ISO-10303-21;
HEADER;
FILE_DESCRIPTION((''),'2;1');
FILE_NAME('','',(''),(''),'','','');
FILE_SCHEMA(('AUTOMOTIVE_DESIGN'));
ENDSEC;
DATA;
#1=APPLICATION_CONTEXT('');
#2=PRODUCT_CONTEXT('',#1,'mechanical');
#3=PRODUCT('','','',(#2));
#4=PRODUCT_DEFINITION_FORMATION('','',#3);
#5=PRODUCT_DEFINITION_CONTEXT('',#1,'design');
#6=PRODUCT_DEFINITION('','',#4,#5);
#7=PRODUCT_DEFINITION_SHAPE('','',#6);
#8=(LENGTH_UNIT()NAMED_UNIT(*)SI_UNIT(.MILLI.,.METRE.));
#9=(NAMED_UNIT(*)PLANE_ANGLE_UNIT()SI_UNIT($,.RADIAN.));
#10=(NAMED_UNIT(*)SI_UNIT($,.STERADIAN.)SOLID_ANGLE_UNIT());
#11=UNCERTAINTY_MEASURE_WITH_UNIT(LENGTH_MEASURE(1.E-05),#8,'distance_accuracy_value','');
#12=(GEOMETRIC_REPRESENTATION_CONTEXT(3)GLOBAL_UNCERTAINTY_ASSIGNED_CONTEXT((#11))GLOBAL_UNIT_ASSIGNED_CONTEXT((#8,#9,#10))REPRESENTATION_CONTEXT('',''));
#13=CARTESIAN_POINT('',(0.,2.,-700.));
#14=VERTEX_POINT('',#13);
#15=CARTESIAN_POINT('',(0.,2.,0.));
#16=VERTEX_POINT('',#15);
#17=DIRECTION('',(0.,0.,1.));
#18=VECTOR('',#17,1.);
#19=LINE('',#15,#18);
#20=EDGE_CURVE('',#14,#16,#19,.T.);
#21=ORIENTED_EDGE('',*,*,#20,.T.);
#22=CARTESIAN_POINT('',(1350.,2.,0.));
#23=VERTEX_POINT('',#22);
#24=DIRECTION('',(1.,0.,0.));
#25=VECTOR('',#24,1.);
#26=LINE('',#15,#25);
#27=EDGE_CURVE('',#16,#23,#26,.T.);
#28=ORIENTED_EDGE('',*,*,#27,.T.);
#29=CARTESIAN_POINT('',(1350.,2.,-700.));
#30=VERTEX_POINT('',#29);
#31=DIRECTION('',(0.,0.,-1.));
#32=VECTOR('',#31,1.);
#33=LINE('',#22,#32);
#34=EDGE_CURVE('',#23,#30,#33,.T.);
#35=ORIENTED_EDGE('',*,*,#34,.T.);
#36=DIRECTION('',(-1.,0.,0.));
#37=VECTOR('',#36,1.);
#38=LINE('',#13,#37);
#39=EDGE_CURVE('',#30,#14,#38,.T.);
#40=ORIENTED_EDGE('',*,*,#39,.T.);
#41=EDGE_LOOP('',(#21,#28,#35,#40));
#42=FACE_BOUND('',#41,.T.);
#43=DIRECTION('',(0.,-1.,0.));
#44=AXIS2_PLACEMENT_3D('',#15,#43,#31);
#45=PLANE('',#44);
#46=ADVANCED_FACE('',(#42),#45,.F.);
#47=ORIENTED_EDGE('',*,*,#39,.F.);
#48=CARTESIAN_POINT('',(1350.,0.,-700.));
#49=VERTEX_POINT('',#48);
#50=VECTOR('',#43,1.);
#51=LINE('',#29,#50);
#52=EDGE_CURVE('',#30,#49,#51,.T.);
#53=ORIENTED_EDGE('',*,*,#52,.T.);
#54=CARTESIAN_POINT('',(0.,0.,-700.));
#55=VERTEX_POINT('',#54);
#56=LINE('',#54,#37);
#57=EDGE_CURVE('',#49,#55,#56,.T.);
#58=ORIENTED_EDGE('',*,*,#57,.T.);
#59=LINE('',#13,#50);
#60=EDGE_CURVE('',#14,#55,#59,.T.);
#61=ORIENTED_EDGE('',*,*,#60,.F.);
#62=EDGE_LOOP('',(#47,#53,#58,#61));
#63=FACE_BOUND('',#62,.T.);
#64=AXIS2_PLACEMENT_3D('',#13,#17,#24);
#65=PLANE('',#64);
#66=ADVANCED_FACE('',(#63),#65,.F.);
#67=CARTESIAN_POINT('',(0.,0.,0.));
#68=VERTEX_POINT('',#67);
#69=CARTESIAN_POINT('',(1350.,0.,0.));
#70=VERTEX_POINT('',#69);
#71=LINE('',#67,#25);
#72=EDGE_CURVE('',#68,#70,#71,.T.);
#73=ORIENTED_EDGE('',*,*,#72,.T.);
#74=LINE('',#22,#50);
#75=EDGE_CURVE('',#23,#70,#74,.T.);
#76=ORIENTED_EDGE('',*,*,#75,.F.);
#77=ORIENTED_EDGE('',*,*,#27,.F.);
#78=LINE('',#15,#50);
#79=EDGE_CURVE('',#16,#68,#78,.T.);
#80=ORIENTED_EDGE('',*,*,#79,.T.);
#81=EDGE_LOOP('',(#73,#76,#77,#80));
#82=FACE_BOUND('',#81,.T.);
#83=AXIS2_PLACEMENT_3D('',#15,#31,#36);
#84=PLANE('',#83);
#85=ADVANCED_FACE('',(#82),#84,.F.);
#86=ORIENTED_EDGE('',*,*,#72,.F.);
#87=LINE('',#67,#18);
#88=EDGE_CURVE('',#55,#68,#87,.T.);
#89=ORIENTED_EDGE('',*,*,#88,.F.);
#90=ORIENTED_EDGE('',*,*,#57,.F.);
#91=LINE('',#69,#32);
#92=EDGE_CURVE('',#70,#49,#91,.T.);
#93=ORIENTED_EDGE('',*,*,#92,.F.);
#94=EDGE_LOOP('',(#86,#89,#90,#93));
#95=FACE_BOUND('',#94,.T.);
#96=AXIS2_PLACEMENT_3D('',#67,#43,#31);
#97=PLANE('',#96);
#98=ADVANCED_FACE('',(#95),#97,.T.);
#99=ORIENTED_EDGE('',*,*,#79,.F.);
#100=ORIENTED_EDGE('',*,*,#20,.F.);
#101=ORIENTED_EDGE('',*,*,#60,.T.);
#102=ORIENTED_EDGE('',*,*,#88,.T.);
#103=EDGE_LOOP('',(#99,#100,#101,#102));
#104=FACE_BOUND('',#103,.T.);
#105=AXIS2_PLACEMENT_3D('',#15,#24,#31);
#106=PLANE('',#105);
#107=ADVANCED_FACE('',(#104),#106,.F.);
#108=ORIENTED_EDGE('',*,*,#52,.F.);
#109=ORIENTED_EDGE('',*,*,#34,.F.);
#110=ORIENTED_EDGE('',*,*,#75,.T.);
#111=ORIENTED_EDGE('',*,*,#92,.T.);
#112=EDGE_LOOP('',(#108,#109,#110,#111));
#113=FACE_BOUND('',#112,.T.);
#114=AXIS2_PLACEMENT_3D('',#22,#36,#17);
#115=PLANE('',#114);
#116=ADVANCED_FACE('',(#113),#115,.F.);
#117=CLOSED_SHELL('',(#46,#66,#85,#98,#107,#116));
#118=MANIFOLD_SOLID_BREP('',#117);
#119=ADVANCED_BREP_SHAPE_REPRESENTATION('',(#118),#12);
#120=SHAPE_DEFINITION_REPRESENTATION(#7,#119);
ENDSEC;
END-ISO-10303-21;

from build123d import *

# Parameters (mm, degrees)
MASTER_FOOTPRINT_W    = 1350
MASTER_FOOTPRINT_H    = 700
BATH_BASE_PLATE_DEPTH = 2


with BuildPart() as part:
    # MASTER_FOOTPRINT → BATH_BASE_PLATE (new body)
    with BuildSketch(Plane(origin=(0, 0, 0), x_dir=(1, 0, 0), z_dir=(0, 1, 0))):
        with Locations((675, 350)):
            Rectangle(MASTER_FOOTPRINT_W, MASTER_FOOTPRINT_H)
    extrude(amount=BATH_BASE_PLATE_DEPTH)


solid = part.part
